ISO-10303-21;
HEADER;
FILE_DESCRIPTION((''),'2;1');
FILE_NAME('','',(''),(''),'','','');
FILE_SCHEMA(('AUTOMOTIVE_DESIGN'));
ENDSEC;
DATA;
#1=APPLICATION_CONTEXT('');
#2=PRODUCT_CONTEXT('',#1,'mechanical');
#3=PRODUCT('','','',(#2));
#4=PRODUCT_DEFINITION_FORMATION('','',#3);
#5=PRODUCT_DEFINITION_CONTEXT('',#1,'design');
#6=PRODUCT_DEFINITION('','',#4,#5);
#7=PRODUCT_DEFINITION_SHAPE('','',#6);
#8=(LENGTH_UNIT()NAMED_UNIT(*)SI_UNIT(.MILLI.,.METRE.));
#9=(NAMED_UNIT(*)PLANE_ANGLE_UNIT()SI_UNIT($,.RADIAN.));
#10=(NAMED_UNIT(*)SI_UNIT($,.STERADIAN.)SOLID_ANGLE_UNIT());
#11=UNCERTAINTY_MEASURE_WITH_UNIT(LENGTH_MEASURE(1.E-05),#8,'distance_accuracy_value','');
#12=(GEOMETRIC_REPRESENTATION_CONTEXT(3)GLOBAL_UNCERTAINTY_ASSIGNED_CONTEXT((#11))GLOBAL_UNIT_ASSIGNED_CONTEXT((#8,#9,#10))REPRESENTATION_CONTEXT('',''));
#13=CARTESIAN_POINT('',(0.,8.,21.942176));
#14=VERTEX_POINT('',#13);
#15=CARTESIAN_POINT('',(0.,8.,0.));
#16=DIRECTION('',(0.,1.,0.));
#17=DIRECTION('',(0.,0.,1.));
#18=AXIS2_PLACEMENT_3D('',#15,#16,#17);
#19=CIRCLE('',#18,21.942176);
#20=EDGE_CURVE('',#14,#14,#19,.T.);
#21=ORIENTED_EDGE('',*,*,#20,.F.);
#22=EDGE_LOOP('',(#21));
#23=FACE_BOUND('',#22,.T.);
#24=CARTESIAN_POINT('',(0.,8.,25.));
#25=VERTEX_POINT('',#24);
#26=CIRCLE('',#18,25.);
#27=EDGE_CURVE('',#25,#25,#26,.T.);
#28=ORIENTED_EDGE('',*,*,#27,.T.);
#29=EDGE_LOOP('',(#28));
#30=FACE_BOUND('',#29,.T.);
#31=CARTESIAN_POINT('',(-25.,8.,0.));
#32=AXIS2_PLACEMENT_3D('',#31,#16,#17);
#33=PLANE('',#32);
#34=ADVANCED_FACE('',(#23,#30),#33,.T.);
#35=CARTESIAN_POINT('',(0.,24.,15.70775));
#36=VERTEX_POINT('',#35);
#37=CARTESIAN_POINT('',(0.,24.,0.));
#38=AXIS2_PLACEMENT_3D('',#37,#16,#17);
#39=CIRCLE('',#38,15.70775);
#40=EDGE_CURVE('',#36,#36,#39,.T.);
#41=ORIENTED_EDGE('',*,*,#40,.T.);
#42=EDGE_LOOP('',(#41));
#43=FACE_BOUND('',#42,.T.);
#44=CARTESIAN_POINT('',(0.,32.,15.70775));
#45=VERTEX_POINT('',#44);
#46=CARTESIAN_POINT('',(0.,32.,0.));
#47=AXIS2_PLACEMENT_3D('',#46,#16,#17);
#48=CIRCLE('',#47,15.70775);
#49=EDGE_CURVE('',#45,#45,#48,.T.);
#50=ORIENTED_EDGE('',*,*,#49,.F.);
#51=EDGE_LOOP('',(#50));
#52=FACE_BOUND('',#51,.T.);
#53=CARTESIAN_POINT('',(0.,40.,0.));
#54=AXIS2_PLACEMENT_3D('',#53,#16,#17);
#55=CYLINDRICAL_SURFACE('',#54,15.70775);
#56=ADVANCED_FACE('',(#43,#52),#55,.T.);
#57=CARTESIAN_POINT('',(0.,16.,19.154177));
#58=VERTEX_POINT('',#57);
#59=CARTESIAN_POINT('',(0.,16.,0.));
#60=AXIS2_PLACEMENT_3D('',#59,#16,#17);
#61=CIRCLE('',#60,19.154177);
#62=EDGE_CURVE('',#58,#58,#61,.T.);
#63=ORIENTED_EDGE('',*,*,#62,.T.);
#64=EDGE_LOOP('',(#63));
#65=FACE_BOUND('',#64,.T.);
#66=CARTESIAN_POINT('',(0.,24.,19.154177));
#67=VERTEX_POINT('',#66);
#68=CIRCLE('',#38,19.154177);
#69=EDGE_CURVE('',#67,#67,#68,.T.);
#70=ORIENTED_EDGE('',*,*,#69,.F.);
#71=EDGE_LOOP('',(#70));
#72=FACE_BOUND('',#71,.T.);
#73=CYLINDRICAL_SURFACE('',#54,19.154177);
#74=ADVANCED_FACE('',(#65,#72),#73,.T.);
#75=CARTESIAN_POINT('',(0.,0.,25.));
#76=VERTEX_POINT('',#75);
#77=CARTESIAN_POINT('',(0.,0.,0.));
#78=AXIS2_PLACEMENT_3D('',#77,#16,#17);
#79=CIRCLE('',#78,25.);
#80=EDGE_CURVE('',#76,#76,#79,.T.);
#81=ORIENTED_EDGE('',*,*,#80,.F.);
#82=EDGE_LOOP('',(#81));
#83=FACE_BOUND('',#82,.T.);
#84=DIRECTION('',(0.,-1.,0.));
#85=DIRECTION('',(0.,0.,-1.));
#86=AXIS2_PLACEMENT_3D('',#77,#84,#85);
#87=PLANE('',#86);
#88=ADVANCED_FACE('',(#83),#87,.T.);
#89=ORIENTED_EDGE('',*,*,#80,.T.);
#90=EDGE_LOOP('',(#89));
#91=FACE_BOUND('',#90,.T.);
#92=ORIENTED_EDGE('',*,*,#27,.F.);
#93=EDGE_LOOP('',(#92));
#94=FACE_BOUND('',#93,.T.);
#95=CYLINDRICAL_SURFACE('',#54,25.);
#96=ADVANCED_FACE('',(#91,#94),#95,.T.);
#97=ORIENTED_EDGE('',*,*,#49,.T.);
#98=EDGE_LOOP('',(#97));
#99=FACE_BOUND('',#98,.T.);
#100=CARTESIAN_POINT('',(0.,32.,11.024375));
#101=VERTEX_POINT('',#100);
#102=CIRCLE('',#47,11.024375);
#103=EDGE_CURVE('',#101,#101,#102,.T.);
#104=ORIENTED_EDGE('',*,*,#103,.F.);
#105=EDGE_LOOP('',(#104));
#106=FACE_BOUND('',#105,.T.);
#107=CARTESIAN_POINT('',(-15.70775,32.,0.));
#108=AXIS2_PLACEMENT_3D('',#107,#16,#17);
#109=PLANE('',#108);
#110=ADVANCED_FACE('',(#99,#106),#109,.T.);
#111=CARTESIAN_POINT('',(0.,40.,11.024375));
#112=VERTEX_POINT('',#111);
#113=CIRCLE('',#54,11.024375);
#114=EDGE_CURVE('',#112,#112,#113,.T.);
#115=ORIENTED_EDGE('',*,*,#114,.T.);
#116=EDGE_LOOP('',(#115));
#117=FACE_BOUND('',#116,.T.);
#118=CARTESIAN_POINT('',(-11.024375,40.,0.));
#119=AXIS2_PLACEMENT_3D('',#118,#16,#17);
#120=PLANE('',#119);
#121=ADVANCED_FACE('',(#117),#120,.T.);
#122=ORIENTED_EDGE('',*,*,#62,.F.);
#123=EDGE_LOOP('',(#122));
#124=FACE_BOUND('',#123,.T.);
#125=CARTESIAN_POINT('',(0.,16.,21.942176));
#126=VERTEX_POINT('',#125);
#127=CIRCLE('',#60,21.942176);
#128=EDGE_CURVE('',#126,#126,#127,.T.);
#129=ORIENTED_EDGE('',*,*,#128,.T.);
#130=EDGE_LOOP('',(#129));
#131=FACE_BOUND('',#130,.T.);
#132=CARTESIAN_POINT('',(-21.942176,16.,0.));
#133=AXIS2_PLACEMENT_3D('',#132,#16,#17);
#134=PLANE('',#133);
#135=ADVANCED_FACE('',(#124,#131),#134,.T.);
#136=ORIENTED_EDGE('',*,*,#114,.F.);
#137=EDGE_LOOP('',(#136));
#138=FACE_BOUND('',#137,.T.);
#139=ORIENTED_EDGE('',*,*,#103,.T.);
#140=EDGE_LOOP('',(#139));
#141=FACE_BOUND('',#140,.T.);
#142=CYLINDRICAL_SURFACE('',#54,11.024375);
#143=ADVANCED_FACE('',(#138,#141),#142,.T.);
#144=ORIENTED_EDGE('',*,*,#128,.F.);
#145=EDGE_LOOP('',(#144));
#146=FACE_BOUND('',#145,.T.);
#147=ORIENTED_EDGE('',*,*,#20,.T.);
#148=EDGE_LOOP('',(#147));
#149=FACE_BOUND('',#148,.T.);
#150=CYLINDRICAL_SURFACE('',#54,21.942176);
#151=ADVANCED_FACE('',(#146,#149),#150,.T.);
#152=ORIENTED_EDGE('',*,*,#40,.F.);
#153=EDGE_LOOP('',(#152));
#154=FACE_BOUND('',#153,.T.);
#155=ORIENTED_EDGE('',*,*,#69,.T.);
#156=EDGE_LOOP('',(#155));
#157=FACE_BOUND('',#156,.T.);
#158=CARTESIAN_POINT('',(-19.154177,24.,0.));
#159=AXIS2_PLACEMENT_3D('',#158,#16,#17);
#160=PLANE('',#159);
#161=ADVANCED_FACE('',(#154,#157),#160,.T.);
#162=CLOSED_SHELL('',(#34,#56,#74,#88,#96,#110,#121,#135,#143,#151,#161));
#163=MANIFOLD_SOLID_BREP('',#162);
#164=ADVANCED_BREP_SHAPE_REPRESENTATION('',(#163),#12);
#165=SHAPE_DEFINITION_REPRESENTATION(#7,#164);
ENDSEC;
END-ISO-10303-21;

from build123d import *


with BuildPart() as part:
    # Sketch2 → Revolve1 (revolve)
    with BuildSketch(Plane.XY, mode=Mode.PRIVATE) as revolve1_sk:
        Polygon((0, 40), (0, 0), (-25, 0), (-25, 8), (-21.942176439, 8), (-21.942176439, 16), (-19.15417669, 16), (-19.15417669, 24), (-15.707750434, 24), (-15.707750434, 32), (-11.024374779, 32), (-11.024374779, 40), align=None)
    revolve(revolve1_sk.sketch.rotate(Axis((0, 40, 0), (0, -1, 0)), 270), axis=Axis((0, 40, 0), (0, -1, 0)))


solid = part.part
